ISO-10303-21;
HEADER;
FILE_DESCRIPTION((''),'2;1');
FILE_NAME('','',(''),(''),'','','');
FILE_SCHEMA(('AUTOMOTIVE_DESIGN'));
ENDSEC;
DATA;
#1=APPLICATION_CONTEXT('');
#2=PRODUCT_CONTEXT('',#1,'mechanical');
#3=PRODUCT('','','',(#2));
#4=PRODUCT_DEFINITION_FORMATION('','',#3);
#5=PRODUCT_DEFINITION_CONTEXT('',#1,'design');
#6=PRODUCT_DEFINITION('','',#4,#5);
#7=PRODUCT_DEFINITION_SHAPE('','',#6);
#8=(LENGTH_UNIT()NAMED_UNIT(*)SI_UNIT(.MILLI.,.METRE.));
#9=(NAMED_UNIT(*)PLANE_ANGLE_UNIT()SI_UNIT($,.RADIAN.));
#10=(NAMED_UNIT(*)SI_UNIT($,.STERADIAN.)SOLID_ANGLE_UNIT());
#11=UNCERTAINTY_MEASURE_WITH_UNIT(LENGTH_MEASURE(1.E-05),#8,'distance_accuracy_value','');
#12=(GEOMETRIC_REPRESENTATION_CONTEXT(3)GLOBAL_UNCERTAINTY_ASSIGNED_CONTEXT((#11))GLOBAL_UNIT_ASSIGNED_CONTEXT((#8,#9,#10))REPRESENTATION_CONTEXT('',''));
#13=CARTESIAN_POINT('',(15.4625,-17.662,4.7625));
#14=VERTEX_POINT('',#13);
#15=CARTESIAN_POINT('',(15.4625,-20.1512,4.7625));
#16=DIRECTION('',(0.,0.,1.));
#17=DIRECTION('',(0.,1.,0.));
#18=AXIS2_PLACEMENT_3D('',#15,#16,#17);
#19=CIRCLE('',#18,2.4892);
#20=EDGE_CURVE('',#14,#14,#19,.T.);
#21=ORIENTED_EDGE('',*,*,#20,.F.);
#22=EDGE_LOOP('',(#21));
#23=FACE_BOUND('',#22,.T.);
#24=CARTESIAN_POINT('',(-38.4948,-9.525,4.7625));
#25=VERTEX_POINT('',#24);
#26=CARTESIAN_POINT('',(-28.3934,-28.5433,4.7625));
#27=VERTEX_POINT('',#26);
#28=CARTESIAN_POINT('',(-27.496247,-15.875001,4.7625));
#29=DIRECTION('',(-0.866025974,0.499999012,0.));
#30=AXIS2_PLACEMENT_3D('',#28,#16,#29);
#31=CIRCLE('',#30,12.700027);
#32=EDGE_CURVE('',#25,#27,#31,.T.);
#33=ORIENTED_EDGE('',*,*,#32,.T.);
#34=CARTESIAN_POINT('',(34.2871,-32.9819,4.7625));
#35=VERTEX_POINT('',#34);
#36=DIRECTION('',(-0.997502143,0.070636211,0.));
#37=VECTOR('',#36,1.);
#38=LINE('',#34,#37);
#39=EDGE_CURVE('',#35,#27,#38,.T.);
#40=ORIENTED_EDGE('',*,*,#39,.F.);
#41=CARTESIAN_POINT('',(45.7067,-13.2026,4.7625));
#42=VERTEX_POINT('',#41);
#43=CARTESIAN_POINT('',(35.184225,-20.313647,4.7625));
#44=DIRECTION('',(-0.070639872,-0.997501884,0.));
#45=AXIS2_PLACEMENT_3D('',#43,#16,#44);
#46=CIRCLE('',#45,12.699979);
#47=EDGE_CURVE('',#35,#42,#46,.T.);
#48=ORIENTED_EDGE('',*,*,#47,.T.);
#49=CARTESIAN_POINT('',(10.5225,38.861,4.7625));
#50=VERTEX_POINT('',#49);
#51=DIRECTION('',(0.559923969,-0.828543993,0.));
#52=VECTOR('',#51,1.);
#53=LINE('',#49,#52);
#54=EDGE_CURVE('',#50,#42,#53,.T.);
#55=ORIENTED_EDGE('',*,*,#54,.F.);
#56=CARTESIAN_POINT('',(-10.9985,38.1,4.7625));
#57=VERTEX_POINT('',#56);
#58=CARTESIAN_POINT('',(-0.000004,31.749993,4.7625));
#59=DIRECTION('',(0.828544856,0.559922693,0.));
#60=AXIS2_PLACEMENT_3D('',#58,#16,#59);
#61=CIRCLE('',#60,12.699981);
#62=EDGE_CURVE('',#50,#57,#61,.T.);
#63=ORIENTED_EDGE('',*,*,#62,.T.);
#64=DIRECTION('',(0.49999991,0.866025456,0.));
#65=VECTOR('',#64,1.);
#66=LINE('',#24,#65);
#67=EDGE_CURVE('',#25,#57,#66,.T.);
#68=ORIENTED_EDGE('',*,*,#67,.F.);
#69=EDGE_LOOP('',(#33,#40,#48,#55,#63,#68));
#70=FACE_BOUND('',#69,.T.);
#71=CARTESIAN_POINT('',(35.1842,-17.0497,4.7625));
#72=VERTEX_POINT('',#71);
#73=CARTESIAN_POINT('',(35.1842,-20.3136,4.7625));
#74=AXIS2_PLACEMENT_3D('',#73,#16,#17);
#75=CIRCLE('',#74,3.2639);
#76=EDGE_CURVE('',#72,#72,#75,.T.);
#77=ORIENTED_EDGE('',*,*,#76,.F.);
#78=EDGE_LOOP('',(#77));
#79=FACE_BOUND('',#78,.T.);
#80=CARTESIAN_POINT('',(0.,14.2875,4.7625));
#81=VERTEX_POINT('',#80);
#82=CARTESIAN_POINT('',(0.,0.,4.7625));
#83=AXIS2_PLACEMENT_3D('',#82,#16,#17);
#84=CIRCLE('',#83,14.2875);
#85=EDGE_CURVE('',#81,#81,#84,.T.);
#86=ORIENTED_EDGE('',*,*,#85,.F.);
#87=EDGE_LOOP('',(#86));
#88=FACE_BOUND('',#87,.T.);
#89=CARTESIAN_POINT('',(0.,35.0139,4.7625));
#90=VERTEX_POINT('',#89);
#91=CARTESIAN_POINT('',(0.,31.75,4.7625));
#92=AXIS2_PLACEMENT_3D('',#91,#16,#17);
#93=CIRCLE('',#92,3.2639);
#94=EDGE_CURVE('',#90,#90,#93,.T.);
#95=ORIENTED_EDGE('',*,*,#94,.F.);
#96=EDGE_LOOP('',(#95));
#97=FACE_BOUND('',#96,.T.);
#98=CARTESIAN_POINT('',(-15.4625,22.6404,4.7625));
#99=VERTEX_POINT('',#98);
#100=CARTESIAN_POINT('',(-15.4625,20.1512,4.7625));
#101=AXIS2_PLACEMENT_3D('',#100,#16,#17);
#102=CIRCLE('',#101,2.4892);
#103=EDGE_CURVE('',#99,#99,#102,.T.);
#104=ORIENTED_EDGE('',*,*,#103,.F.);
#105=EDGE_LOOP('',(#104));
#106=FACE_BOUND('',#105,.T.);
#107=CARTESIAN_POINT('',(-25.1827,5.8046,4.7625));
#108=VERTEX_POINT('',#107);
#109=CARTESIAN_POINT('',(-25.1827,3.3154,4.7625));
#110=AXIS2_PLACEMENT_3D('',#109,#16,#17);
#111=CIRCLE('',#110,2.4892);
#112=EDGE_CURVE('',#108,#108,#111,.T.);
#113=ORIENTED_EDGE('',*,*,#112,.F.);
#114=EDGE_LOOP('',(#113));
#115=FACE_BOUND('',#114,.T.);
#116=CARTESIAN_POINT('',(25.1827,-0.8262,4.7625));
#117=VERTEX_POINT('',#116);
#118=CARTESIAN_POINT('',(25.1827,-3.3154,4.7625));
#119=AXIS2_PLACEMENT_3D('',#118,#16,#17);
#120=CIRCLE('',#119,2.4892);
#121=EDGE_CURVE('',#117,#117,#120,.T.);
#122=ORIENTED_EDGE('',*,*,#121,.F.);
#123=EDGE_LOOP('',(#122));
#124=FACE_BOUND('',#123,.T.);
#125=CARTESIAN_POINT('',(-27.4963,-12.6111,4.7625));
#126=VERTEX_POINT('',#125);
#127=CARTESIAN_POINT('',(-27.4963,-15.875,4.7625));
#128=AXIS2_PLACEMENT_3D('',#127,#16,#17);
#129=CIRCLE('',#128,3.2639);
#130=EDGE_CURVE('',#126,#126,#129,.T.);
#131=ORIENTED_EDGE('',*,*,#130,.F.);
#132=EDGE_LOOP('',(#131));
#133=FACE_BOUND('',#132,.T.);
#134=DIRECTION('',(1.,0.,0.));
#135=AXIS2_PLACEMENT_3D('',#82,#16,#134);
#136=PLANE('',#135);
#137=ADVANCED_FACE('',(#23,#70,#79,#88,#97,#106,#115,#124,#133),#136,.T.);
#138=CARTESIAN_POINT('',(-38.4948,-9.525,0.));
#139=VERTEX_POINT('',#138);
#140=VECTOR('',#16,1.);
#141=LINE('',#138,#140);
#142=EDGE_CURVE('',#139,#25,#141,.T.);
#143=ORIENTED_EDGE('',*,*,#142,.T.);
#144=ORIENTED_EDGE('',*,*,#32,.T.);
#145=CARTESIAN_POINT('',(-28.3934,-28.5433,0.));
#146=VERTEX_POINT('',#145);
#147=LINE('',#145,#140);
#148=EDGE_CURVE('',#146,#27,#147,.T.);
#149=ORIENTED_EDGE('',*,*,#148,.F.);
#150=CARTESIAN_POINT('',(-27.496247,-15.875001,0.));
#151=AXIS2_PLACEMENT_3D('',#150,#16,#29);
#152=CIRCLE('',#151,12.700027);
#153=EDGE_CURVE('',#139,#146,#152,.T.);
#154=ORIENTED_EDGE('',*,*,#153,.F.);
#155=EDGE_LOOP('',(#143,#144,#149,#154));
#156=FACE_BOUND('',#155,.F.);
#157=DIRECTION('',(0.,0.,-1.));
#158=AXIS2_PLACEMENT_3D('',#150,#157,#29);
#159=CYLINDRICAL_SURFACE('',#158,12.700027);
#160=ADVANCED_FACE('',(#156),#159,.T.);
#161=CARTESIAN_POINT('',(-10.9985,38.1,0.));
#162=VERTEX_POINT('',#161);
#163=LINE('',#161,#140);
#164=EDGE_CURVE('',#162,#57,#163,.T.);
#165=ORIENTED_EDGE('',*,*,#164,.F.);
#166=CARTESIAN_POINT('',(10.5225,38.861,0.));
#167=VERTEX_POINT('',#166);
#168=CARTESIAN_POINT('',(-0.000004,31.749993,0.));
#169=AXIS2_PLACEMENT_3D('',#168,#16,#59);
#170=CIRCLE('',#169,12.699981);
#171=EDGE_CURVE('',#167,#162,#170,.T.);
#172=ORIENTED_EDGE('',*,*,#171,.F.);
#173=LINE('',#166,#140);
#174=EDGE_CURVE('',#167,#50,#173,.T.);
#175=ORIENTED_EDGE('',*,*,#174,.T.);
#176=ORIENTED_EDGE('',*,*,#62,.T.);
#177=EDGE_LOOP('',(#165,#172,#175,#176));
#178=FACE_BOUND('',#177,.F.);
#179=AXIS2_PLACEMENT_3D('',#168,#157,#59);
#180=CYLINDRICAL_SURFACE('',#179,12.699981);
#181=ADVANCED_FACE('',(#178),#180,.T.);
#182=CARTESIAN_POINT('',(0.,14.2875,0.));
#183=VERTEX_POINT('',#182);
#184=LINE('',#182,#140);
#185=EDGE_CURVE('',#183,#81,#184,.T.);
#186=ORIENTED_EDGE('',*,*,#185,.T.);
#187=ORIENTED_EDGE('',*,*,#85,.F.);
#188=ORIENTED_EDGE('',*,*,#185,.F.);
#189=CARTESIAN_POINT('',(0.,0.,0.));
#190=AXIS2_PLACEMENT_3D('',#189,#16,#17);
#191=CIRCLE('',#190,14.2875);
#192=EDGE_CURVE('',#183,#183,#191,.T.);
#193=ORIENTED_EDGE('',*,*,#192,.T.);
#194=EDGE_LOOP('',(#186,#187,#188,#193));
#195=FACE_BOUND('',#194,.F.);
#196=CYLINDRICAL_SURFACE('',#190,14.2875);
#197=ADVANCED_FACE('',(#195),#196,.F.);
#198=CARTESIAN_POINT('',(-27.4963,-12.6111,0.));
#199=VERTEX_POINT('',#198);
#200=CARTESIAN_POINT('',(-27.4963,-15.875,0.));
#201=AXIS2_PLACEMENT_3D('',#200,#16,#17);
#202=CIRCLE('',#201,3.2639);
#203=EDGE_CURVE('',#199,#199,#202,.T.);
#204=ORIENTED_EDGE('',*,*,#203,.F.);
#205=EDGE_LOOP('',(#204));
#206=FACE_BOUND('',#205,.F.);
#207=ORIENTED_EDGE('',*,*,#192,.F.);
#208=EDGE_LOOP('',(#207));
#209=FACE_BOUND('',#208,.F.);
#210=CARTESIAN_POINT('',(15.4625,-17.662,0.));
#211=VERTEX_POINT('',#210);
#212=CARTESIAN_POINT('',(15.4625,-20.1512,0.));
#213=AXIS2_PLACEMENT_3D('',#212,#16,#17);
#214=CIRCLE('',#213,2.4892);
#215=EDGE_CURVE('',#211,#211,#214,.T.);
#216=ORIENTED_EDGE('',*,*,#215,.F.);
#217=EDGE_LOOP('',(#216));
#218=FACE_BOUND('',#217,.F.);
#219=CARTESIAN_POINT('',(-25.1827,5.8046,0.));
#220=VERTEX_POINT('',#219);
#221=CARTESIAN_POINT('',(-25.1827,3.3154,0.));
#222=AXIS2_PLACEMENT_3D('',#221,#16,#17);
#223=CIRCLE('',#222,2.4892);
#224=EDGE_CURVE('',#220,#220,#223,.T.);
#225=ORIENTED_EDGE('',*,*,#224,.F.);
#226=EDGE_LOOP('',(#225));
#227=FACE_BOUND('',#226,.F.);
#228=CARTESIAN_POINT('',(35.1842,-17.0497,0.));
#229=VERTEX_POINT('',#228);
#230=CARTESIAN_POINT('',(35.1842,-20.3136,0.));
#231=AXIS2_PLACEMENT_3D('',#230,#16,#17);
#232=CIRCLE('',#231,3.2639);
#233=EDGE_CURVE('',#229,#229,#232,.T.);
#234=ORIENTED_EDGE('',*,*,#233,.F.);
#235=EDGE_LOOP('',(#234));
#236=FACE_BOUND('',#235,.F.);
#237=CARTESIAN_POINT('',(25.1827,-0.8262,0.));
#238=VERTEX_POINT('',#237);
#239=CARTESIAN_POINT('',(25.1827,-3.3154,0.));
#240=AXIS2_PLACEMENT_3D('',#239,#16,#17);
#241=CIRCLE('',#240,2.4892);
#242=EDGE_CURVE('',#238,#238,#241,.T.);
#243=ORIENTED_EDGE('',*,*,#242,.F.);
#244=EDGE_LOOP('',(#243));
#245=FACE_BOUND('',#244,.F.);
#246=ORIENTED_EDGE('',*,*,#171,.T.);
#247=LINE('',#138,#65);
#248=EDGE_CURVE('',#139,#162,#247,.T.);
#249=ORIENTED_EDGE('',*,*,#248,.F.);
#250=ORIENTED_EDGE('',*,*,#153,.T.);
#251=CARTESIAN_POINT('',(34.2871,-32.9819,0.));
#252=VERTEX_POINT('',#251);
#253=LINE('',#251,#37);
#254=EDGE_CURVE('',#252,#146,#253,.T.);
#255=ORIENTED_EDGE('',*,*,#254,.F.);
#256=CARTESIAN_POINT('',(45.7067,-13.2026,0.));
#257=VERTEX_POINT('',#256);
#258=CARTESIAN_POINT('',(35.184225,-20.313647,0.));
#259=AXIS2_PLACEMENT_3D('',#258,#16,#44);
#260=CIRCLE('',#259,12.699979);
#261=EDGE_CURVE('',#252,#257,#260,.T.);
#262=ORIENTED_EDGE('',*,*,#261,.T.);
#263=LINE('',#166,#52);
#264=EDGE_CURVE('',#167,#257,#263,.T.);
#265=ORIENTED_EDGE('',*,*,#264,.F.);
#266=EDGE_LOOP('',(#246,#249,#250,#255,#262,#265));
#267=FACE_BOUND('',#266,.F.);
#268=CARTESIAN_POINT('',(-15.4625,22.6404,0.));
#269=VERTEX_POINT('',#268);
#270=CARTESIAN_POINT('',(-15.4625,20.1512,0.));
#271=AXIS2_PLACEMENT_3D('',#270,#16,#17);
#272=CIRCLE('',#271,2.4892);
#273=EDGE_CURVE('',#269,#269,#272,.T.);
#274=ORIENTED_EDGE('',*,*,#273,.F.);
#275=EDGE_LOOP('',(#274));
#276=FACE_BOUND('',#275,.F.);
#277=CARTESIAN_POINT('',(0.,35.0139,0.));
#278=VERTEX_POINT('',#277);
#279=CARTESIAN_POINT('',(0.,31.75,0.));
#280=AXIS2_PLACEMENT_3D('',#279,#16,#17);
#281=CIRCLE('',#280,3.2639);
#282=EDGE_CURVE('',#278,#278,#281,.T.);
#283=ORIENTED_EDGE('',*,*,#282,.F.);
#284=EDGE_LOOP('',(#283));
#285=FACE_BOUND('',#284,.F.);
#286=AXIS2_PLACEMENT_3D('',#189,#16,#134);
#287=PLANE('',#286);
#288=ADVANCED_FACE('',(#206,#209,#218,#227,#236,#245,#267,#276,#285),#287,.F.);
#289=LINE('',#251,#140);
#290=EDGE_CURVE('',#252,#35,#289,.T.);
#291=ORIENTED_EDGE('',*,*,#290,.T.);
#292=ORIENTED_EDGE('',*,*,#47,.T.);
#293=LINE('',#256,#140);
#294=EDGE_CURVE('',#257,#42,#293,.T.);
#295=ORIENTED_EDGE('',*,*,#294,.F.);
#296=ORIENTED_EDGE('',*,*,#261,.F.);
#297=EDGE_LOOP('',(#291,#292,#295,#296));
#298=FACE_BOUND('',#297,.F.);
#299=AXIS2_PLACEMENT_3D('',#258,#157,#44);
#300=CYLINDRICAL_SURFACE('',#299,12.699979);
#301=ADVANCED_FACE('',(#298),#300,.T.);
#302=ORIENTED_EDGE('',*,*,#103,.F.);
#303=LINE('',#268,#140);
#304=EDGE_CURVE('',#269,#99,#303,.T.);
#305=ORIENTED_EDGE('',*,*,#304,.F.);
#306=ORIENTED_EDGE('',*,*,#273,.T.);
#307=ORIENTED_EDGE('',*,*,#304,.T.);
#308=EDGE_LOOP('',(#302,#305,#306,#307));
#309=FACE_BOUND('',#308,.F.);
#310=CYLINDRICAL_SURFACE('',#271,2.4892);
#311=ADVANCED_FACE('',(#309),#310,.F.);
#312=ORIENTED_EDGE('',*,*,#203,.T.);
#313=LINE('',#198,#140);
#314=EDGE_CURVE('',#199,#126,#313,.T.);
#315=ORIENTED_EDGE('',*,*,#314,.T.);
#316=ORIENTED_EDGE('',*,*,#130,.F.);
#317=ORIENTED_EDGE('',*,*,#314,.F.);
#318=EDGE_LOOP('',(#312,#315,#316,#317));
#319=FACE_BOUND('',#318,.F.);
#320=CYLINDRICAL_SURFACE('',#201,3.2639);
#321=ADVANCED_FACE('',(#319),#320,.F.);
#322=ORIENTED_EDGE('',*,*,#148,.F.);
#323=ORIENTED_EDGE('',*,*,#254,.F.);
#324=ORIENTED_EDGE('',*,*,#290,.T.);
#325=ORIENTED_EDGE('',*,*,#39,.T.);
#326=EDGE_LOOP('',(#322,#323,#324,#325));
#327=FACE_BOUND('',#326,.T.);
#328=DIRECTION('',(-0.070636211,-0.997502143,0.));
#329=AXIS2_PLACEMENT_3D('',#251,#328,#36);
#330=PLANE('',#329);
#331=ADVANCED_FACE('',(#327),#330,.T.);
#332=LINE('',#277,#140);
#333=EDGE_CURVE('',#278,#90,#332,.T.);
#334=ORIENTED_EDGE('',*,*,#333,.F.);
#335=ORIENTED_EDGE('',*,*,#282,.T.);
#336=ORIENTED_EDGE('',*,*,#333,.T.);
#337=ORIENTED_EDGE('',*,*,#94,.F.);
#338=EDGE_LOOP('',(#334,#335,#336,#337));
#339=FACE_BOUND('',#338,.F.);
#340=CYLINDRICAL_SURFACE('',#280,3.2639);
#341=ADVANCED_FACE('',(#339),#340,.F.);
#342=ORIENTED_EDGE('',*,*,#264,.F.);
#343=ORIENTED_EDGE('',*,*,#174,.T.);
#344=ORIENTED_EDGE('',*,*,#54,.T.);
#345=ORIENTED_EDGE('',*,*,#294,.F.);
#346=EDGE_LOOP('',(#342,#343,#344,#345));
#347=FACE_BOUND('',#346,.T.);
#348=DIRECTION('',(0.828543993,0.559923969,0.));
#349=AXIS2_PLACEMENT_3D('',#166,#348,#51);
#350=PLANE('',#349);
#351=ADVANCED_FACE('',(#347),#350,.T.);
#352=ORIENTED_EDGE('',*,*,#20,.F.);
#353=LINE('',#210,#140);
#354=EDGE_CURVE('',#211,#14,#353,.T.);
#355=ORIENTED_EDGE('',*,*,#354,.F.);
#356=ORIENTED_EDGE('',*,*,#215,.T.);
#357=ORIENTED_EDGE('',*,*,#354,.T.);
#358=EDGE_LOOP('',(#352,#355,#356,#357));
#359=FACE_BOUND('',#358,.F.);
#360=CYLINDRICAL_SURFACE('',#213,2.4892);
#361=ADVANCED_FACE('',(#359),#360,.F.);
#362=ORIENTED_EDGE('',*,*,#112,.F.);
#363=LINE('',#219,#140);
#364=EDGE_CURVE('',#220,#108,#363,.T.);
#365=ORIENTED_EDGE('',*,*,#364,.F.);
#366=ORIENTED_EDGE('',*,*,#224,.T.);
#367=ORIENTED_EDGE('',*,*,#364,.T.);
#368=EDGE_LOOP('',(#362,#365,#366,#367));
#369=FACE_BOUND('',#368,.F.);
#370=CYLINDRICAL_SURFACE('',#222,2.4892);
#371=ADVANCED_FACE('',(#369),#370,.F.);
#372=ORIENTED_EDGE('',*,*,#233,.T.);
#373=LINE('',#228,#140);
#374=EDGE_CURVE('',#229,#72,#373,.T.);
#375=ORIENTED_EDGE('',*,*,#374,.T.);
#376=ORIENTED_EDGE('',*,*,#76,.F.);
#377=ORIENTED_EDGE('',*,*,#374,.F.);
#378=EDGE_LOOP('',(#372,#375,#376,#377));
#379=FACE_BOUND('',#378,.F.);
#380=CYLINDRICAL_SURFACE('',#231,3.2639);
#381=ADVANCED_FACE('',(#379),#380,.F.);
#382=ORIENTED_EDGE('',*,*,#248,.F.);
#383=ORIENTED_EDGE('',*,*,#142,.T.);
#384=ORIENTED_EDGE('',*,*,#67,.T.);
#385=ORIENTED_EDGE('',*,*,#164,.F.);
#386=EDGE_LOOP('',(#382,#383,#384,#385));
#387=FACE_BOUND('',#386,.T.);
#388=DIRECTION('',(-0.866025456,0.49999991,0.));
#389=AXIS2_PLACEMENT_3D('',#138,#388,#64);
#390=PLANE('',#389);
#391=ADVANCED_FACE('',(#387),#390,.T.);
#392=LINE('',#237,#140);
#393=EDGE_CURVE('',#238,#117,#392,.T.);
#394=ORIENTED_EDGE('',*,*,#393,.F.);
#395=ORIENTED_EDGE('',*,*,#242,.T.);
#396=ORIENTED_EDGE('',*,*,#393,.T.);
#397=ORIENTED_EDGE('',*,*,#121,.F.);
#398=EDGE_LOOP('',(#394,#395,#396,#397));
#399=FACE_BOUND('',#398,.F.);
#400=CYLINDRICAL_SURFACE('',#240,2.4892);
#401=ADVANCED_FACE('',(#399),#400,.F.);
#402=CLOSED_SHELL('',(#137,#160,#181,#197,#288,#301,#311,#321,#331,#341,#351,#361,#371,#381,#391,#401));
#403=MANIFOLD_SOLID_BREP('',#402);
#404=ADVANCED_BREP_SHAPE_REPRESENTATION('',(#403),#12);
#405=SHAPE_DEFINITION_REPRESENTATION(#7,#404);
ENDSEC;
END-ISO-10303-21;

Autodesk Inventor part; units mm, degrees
ref_plane "YZ Plane" through (0, 0, 0) normal (1, 0, 0) x (0, 1, 0)
ref_plane "XZ Plane" through (0, 0, 0) normal (0, 1, 0) x (-1, 0, 0)
ref_plane "XY Plane" through (0, 0, 0) normal (0, 0, 1) x (1, 0, 0)
sketch "Sketch2" plane through (0, 0, 0) normal (0, 0, 1) x (1, 0, 0)
  line L0 (27.4963, -15.875) -> (0, 0) construction
  arc A0 (-38.4948, -9.525) -> (-28.3934, -28.5433) centre (-27.4963, -15.875) ccw
  arc A1 (10.5225, 38.861) -> (-10.9985, 38.1) centre (0, 31.75) ccw
  line L1 (-38.4948, -9.525) -> (-10.9985, 38.1)
  line L2 (10.5225, 38.861) -> (45.7067, -13.2026)
  line L3 (34.2871, -32.9819) -> (-28.3934, -28.5433)
  circle A2 centre (-182.5755, 105.41) radius 190.5 construction
  line L4 (-182.5755, 105.41) -> (0, 0) construction
  line L5 (-133.2704, -78.5989) -> (50.7384, -29.2938) construction
  line L6 (50.7384, -29.2938) -> (1.4334, 154.715) construction
  line L7 (50.7384, -29.2938) -> (0, 0) construction
  arc A3 (34.2871, -32.9819) -> (45.7067, -13.2026) centre (35.1842, -20.3136) ccw
  point P0 (0, 0)
  point P1 (-25.1827, 3.3154)
  point P2 (-20.1512, -15.4625)
  point P3 (-3.3154, -25.1827)
  point P4 (15.4625, -20.1512)
  point P5 (25.1827, -3.3154)
  point P6 (20.1512, 15.4625)
  point P7 (3.3154, 25.1827)
  point P8 (-15.4625, 20.1512)
  dimension "d74" = 31.75
  dimension "d77" = 360
  dimension "d80" = 25.4
  dimension "d83" = 360
  dimension "d96" = 381
  dimension "d97" = 210.82
  dimension "d98" = 12.7
  dimension "d99" = 12.7
  dimension "d100" = 12.7
extrude "Plate2" add sketch "Sketch2" along normal blind 4.7625
hole "Hole3" at (35.1842, -20.3136, 0) at (-27.4963, -15.875, 0) at (0, 31.75, 0) direction (0, 0, 1) diameter 6.5278 end through all clearance for "Flat Head Machine Screw (82)" size "1/4" standard "Ansi Unified Screw Threads"
hole "Hole4" at (0, 0, 0) direction (0, 0, 1) diameter 28.575 end through all
hole "Hole5" at (-25.1827, 3.3154, 0) at (15.4625, -20.1512, 0) at (25.1827, -3.3154, 0) at (-15.4625, 20.1512, 0) direction (0, 0, 1) diameter 4.9784 end through all clearance for "Flat Head Machine Screw (82)" size "#10" standard "Ansi Unified Screw Threads"
equation "\"BendRadius\" = Thickness"
equation "\"BendReliefWidth\" = Thickness"
equation "\"BendReliefDepth\" = 0.5 * Thickness"
equation "\"CornerReliefSize\" = 4 * Thickness"
equation "\"MinimumRemnant\" = 2 * Thickness"
equation "\"TransitionRadius\" = BendRadius"
equation "\"JacobiRadiusSize\" = BendRadius"
equation "\"GapSize\" = Thickness"
equation "\"Thickness\" = 4.7625"
properties part number "PLATE,TURRET,MOTOR,MOUNT" material "Aluminum 6061"
